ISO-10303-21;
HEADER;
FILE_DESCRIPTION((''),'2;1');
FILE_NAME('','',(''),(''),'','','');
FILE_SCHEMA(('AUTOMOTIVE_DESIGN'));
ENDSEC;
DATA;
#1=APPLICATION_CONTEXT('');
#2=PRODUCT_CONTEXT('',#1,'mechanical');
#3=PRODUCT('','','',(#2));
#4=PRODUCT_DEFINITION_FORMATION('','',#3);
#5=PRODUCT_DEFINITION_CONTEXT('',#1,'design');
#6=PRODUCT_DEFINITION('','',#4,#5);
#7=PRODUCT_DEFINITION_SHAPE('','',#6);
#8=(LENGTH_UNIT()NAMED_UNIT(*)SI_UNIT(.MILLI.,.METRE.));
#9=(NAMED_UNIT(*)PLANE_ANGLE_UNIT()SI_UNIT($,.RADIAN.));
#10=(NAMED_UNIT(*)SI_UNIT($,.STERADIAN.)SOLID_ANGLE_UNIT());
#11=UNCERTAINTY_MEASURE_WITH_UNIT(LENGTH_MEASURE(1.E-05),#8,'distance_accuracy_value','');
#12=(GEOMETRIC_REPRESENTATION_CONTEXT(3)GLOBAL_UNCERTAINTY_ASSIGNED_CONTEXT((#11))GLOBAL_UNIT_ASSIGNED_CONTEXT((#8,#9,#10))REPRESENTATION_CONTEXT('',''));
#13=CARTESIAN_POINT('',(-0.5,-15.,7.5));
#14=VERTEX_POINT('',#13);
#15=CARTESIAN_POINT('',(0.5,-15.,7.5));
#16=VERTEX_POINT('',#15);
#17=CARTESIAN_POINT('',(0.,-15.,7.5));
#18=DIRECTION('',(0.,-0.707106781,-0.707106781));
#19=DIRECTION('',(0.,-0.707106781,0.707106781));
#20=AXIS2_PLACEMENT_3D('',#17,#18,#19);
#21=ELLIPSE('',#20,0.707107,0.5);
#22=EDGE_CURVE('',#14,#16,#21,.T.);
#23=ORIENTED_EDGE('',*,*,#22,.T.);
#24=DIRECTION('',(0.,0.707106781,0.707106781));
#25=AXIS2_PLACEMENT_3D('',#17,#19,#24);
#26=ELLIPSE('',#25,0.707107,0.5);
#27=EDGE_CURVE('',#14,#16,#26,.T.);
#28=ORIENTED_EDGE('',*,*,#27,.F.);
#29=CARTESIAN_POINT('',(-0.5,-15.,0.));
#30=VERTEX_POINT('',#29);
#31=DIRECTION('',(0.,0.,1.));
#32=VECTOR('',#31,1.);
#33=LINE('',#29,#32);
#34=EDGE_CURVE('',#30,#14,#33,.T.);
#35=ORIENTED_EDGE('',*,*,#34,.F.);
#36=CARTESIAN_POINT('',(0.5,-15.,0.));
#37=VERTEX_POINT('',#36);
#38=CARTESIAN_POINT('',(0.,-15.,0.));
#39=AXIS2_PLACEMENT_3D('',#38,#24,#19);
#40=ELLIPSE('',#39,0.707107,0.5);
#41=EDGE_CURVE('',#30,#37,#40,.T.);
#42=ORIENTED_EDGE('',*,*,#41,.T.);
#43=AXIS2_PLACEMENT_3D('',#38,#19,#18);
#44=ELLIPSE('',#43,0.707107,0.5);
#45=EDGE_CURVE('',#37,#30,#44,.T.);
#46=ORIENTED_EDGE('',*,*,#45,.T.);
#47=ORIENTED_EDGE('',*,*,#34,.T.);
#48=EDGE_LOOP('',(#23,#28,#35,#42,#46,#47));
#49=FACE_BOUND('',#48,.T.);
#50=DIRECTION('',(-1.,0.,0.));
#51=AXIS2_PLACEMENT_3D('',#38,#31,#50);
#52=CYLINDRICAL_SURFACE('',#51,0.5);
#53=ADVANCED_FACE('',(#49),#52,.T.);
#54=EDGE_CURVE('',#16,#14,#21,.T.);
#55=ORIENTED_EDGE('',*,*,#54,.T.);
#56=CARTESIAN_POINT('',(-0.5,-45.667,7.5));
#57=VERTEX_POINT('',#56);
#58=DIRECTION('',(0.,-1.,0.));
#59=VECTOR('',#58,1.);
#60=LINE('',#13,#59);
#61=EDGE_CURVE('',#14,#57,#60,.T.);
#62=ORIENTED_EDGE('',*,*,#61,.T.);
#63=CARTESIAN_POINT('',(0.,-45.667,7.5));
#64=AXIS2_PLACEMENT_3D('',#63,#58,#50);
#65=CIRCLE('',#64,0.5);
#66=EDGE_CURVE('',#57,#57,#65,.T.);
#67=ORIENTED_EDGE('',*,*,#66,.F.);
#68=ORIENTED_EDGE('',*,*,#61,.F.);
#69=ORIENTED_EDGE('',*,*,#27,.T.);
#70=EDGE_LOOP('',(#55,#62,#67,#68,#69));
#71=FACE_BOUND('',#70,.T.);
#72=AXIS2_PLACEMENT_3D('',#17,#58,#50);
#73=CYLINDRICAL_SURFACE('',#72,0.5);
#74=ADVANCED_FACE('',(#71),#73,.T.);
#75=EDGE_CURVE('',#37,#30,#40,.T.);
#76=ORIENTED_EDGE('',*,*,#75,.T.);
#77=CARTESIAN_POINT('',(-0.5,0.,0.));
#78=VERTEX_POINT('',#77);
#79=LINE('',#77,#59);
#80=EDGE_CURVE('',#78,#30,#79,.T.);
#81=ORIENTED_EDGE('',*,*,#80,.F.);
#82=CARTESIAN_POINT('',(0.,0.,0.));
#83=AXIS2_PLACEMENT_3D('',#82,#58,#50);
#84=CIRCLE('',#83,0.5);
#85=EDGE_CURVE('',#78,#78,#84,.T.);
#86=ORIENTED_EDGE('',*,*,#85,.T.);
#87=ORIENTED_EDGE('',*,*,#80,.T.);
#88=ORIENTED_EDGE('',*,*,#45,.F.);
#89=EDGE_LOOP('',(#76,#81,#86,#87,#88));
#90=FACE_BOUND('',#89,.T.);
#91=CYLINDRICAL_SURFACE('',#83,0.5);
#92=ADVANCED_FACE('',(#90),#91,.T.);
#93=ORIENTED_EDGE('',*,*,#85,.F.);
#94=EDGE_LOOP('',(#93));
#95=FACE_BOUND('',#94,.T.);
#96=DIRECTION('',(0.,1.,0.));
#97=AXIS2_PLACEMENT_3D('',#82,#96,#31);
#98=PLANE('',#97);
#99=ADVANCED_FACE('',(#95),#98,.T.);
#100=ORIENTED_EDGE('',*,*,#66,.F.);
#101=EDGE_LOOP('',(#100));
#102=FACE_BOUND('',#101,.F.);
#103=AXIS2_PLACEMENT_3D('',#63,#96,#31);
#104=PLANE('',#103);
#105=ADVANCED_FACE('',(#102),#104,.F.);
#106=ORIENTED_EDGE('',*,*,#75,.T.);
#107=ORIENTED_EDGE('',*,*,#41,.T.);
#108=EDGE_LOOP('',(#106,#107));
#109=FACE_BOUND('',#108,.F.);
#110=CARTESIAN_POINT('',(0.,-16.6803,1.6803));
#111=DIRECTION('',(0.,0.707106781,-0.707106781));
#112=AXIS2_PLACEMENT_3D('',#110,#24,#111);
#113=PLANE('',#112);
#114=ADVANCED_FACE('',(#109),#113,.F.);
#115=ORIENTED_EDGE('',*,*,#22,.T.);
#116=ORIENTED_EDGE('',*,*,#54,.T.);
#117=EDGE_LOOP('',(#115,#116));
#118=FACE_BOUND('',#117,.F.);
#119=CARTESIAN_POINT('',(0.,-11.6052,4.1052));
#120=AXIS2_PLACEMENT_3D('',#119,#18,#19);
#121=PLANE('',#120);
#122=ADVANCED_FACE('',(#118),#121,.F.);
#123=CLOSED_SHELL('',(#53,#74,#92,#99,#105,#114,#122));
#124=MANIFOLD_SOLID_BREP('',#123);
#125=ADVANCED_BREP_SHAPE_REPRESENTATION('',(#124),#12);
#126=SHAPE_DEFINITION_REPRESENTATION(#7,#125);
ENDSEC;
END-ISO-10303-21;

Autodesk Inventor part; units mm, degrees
ref_plane "YZ Plane" through (0, 0, 0) normal (1, 0, 0) x (0, 1, 0)
ref_plane "XZ Plane" through (0, 0, 0) normal (0, 1, 0) x (-1, 0, 0)
ref_plane "XY Plane" through (0, 0, 0) normal (0, 0, 1) x (1, 0, 0)
sketch "Skizze1" plane through (0, 0, 0) normal (1, 0, 0) x (0, 1, 0)
  line L0 (0, 0) -> (-15, 0)
  line L1 (-15, 0) -> (-15, 7.5)
  line L2 (-15, 7.5) -> (-45.667, 7.5)
  dimension "d0" = 15
  dimension "d1" = 7.5
sketch "Skizze2" plane through (0, 0, 0) normal (0, 1, 0) x (-1, 0, 0)
  circle A0 centre (0, 0) radius 0.5
  dimension "d2" = 1
sweep "Sweeping1" add profiles "Skizze2" path "Skizze1"
sketch "Skizze3" plane through (0, 0, 0) normal (1, 0, 0) x (0, 1, 0)
  line L0 (-14.5, 0.5) -> (-14.5, 8) projected
  line L1 (-15.5, -0.5) -> (-15.5, 7) projected
  line L2 (-13.783, 17.8624) -> (-5.8155, 9.8948)
  line L3 (-5.8155, 9.8948) -> (-11.6052, 4.1052)
  line L4 (-11.6052, 4.1052) -> (-19.5727, 12.0727)
  line L5 (-19.5727, 12.0727) -> (-13.783, 17.8624)
  line L6 (-13.783, 17.8624) -> (-11.6052, 4.1052) construction
  line L7 (-5.8155, 9.8948) -> (-19.5727, 12.0727) construction
  line L8 (-13.783, 17.8624) -> (-2.5152, 17.8624) construction
  line L9 (-14.4975, -10.7606) -> (-21.8094, -3.4488)
  line L10 (-21.8094, -3.4488) -> (-16.6803, 1.6803)
  line L11 (-16.6803, 1.6803) -> (-9.3684, -5.6316)
  line L12 (-9.3684, -5.6316) -> (-14.4975, -10.7606)
  line L13 (-14.4975, -10.7606) -> (-16.6803, 1.6803) construction
  line L14 (-21.8094, -3.4488) -> (-9.3684, -5.6316) construction
  point P0 (0, 0)
  point P1 (-12.6941, 10.9838)
  point P2 (-15.5889, -4.5402)
  dimension "d5" = 45
extrude "Extrusion1" cut sketch "Skizze3" along normal through all both and the other way through all
properties part number "00_Beam_Stairs_7.5mm"
